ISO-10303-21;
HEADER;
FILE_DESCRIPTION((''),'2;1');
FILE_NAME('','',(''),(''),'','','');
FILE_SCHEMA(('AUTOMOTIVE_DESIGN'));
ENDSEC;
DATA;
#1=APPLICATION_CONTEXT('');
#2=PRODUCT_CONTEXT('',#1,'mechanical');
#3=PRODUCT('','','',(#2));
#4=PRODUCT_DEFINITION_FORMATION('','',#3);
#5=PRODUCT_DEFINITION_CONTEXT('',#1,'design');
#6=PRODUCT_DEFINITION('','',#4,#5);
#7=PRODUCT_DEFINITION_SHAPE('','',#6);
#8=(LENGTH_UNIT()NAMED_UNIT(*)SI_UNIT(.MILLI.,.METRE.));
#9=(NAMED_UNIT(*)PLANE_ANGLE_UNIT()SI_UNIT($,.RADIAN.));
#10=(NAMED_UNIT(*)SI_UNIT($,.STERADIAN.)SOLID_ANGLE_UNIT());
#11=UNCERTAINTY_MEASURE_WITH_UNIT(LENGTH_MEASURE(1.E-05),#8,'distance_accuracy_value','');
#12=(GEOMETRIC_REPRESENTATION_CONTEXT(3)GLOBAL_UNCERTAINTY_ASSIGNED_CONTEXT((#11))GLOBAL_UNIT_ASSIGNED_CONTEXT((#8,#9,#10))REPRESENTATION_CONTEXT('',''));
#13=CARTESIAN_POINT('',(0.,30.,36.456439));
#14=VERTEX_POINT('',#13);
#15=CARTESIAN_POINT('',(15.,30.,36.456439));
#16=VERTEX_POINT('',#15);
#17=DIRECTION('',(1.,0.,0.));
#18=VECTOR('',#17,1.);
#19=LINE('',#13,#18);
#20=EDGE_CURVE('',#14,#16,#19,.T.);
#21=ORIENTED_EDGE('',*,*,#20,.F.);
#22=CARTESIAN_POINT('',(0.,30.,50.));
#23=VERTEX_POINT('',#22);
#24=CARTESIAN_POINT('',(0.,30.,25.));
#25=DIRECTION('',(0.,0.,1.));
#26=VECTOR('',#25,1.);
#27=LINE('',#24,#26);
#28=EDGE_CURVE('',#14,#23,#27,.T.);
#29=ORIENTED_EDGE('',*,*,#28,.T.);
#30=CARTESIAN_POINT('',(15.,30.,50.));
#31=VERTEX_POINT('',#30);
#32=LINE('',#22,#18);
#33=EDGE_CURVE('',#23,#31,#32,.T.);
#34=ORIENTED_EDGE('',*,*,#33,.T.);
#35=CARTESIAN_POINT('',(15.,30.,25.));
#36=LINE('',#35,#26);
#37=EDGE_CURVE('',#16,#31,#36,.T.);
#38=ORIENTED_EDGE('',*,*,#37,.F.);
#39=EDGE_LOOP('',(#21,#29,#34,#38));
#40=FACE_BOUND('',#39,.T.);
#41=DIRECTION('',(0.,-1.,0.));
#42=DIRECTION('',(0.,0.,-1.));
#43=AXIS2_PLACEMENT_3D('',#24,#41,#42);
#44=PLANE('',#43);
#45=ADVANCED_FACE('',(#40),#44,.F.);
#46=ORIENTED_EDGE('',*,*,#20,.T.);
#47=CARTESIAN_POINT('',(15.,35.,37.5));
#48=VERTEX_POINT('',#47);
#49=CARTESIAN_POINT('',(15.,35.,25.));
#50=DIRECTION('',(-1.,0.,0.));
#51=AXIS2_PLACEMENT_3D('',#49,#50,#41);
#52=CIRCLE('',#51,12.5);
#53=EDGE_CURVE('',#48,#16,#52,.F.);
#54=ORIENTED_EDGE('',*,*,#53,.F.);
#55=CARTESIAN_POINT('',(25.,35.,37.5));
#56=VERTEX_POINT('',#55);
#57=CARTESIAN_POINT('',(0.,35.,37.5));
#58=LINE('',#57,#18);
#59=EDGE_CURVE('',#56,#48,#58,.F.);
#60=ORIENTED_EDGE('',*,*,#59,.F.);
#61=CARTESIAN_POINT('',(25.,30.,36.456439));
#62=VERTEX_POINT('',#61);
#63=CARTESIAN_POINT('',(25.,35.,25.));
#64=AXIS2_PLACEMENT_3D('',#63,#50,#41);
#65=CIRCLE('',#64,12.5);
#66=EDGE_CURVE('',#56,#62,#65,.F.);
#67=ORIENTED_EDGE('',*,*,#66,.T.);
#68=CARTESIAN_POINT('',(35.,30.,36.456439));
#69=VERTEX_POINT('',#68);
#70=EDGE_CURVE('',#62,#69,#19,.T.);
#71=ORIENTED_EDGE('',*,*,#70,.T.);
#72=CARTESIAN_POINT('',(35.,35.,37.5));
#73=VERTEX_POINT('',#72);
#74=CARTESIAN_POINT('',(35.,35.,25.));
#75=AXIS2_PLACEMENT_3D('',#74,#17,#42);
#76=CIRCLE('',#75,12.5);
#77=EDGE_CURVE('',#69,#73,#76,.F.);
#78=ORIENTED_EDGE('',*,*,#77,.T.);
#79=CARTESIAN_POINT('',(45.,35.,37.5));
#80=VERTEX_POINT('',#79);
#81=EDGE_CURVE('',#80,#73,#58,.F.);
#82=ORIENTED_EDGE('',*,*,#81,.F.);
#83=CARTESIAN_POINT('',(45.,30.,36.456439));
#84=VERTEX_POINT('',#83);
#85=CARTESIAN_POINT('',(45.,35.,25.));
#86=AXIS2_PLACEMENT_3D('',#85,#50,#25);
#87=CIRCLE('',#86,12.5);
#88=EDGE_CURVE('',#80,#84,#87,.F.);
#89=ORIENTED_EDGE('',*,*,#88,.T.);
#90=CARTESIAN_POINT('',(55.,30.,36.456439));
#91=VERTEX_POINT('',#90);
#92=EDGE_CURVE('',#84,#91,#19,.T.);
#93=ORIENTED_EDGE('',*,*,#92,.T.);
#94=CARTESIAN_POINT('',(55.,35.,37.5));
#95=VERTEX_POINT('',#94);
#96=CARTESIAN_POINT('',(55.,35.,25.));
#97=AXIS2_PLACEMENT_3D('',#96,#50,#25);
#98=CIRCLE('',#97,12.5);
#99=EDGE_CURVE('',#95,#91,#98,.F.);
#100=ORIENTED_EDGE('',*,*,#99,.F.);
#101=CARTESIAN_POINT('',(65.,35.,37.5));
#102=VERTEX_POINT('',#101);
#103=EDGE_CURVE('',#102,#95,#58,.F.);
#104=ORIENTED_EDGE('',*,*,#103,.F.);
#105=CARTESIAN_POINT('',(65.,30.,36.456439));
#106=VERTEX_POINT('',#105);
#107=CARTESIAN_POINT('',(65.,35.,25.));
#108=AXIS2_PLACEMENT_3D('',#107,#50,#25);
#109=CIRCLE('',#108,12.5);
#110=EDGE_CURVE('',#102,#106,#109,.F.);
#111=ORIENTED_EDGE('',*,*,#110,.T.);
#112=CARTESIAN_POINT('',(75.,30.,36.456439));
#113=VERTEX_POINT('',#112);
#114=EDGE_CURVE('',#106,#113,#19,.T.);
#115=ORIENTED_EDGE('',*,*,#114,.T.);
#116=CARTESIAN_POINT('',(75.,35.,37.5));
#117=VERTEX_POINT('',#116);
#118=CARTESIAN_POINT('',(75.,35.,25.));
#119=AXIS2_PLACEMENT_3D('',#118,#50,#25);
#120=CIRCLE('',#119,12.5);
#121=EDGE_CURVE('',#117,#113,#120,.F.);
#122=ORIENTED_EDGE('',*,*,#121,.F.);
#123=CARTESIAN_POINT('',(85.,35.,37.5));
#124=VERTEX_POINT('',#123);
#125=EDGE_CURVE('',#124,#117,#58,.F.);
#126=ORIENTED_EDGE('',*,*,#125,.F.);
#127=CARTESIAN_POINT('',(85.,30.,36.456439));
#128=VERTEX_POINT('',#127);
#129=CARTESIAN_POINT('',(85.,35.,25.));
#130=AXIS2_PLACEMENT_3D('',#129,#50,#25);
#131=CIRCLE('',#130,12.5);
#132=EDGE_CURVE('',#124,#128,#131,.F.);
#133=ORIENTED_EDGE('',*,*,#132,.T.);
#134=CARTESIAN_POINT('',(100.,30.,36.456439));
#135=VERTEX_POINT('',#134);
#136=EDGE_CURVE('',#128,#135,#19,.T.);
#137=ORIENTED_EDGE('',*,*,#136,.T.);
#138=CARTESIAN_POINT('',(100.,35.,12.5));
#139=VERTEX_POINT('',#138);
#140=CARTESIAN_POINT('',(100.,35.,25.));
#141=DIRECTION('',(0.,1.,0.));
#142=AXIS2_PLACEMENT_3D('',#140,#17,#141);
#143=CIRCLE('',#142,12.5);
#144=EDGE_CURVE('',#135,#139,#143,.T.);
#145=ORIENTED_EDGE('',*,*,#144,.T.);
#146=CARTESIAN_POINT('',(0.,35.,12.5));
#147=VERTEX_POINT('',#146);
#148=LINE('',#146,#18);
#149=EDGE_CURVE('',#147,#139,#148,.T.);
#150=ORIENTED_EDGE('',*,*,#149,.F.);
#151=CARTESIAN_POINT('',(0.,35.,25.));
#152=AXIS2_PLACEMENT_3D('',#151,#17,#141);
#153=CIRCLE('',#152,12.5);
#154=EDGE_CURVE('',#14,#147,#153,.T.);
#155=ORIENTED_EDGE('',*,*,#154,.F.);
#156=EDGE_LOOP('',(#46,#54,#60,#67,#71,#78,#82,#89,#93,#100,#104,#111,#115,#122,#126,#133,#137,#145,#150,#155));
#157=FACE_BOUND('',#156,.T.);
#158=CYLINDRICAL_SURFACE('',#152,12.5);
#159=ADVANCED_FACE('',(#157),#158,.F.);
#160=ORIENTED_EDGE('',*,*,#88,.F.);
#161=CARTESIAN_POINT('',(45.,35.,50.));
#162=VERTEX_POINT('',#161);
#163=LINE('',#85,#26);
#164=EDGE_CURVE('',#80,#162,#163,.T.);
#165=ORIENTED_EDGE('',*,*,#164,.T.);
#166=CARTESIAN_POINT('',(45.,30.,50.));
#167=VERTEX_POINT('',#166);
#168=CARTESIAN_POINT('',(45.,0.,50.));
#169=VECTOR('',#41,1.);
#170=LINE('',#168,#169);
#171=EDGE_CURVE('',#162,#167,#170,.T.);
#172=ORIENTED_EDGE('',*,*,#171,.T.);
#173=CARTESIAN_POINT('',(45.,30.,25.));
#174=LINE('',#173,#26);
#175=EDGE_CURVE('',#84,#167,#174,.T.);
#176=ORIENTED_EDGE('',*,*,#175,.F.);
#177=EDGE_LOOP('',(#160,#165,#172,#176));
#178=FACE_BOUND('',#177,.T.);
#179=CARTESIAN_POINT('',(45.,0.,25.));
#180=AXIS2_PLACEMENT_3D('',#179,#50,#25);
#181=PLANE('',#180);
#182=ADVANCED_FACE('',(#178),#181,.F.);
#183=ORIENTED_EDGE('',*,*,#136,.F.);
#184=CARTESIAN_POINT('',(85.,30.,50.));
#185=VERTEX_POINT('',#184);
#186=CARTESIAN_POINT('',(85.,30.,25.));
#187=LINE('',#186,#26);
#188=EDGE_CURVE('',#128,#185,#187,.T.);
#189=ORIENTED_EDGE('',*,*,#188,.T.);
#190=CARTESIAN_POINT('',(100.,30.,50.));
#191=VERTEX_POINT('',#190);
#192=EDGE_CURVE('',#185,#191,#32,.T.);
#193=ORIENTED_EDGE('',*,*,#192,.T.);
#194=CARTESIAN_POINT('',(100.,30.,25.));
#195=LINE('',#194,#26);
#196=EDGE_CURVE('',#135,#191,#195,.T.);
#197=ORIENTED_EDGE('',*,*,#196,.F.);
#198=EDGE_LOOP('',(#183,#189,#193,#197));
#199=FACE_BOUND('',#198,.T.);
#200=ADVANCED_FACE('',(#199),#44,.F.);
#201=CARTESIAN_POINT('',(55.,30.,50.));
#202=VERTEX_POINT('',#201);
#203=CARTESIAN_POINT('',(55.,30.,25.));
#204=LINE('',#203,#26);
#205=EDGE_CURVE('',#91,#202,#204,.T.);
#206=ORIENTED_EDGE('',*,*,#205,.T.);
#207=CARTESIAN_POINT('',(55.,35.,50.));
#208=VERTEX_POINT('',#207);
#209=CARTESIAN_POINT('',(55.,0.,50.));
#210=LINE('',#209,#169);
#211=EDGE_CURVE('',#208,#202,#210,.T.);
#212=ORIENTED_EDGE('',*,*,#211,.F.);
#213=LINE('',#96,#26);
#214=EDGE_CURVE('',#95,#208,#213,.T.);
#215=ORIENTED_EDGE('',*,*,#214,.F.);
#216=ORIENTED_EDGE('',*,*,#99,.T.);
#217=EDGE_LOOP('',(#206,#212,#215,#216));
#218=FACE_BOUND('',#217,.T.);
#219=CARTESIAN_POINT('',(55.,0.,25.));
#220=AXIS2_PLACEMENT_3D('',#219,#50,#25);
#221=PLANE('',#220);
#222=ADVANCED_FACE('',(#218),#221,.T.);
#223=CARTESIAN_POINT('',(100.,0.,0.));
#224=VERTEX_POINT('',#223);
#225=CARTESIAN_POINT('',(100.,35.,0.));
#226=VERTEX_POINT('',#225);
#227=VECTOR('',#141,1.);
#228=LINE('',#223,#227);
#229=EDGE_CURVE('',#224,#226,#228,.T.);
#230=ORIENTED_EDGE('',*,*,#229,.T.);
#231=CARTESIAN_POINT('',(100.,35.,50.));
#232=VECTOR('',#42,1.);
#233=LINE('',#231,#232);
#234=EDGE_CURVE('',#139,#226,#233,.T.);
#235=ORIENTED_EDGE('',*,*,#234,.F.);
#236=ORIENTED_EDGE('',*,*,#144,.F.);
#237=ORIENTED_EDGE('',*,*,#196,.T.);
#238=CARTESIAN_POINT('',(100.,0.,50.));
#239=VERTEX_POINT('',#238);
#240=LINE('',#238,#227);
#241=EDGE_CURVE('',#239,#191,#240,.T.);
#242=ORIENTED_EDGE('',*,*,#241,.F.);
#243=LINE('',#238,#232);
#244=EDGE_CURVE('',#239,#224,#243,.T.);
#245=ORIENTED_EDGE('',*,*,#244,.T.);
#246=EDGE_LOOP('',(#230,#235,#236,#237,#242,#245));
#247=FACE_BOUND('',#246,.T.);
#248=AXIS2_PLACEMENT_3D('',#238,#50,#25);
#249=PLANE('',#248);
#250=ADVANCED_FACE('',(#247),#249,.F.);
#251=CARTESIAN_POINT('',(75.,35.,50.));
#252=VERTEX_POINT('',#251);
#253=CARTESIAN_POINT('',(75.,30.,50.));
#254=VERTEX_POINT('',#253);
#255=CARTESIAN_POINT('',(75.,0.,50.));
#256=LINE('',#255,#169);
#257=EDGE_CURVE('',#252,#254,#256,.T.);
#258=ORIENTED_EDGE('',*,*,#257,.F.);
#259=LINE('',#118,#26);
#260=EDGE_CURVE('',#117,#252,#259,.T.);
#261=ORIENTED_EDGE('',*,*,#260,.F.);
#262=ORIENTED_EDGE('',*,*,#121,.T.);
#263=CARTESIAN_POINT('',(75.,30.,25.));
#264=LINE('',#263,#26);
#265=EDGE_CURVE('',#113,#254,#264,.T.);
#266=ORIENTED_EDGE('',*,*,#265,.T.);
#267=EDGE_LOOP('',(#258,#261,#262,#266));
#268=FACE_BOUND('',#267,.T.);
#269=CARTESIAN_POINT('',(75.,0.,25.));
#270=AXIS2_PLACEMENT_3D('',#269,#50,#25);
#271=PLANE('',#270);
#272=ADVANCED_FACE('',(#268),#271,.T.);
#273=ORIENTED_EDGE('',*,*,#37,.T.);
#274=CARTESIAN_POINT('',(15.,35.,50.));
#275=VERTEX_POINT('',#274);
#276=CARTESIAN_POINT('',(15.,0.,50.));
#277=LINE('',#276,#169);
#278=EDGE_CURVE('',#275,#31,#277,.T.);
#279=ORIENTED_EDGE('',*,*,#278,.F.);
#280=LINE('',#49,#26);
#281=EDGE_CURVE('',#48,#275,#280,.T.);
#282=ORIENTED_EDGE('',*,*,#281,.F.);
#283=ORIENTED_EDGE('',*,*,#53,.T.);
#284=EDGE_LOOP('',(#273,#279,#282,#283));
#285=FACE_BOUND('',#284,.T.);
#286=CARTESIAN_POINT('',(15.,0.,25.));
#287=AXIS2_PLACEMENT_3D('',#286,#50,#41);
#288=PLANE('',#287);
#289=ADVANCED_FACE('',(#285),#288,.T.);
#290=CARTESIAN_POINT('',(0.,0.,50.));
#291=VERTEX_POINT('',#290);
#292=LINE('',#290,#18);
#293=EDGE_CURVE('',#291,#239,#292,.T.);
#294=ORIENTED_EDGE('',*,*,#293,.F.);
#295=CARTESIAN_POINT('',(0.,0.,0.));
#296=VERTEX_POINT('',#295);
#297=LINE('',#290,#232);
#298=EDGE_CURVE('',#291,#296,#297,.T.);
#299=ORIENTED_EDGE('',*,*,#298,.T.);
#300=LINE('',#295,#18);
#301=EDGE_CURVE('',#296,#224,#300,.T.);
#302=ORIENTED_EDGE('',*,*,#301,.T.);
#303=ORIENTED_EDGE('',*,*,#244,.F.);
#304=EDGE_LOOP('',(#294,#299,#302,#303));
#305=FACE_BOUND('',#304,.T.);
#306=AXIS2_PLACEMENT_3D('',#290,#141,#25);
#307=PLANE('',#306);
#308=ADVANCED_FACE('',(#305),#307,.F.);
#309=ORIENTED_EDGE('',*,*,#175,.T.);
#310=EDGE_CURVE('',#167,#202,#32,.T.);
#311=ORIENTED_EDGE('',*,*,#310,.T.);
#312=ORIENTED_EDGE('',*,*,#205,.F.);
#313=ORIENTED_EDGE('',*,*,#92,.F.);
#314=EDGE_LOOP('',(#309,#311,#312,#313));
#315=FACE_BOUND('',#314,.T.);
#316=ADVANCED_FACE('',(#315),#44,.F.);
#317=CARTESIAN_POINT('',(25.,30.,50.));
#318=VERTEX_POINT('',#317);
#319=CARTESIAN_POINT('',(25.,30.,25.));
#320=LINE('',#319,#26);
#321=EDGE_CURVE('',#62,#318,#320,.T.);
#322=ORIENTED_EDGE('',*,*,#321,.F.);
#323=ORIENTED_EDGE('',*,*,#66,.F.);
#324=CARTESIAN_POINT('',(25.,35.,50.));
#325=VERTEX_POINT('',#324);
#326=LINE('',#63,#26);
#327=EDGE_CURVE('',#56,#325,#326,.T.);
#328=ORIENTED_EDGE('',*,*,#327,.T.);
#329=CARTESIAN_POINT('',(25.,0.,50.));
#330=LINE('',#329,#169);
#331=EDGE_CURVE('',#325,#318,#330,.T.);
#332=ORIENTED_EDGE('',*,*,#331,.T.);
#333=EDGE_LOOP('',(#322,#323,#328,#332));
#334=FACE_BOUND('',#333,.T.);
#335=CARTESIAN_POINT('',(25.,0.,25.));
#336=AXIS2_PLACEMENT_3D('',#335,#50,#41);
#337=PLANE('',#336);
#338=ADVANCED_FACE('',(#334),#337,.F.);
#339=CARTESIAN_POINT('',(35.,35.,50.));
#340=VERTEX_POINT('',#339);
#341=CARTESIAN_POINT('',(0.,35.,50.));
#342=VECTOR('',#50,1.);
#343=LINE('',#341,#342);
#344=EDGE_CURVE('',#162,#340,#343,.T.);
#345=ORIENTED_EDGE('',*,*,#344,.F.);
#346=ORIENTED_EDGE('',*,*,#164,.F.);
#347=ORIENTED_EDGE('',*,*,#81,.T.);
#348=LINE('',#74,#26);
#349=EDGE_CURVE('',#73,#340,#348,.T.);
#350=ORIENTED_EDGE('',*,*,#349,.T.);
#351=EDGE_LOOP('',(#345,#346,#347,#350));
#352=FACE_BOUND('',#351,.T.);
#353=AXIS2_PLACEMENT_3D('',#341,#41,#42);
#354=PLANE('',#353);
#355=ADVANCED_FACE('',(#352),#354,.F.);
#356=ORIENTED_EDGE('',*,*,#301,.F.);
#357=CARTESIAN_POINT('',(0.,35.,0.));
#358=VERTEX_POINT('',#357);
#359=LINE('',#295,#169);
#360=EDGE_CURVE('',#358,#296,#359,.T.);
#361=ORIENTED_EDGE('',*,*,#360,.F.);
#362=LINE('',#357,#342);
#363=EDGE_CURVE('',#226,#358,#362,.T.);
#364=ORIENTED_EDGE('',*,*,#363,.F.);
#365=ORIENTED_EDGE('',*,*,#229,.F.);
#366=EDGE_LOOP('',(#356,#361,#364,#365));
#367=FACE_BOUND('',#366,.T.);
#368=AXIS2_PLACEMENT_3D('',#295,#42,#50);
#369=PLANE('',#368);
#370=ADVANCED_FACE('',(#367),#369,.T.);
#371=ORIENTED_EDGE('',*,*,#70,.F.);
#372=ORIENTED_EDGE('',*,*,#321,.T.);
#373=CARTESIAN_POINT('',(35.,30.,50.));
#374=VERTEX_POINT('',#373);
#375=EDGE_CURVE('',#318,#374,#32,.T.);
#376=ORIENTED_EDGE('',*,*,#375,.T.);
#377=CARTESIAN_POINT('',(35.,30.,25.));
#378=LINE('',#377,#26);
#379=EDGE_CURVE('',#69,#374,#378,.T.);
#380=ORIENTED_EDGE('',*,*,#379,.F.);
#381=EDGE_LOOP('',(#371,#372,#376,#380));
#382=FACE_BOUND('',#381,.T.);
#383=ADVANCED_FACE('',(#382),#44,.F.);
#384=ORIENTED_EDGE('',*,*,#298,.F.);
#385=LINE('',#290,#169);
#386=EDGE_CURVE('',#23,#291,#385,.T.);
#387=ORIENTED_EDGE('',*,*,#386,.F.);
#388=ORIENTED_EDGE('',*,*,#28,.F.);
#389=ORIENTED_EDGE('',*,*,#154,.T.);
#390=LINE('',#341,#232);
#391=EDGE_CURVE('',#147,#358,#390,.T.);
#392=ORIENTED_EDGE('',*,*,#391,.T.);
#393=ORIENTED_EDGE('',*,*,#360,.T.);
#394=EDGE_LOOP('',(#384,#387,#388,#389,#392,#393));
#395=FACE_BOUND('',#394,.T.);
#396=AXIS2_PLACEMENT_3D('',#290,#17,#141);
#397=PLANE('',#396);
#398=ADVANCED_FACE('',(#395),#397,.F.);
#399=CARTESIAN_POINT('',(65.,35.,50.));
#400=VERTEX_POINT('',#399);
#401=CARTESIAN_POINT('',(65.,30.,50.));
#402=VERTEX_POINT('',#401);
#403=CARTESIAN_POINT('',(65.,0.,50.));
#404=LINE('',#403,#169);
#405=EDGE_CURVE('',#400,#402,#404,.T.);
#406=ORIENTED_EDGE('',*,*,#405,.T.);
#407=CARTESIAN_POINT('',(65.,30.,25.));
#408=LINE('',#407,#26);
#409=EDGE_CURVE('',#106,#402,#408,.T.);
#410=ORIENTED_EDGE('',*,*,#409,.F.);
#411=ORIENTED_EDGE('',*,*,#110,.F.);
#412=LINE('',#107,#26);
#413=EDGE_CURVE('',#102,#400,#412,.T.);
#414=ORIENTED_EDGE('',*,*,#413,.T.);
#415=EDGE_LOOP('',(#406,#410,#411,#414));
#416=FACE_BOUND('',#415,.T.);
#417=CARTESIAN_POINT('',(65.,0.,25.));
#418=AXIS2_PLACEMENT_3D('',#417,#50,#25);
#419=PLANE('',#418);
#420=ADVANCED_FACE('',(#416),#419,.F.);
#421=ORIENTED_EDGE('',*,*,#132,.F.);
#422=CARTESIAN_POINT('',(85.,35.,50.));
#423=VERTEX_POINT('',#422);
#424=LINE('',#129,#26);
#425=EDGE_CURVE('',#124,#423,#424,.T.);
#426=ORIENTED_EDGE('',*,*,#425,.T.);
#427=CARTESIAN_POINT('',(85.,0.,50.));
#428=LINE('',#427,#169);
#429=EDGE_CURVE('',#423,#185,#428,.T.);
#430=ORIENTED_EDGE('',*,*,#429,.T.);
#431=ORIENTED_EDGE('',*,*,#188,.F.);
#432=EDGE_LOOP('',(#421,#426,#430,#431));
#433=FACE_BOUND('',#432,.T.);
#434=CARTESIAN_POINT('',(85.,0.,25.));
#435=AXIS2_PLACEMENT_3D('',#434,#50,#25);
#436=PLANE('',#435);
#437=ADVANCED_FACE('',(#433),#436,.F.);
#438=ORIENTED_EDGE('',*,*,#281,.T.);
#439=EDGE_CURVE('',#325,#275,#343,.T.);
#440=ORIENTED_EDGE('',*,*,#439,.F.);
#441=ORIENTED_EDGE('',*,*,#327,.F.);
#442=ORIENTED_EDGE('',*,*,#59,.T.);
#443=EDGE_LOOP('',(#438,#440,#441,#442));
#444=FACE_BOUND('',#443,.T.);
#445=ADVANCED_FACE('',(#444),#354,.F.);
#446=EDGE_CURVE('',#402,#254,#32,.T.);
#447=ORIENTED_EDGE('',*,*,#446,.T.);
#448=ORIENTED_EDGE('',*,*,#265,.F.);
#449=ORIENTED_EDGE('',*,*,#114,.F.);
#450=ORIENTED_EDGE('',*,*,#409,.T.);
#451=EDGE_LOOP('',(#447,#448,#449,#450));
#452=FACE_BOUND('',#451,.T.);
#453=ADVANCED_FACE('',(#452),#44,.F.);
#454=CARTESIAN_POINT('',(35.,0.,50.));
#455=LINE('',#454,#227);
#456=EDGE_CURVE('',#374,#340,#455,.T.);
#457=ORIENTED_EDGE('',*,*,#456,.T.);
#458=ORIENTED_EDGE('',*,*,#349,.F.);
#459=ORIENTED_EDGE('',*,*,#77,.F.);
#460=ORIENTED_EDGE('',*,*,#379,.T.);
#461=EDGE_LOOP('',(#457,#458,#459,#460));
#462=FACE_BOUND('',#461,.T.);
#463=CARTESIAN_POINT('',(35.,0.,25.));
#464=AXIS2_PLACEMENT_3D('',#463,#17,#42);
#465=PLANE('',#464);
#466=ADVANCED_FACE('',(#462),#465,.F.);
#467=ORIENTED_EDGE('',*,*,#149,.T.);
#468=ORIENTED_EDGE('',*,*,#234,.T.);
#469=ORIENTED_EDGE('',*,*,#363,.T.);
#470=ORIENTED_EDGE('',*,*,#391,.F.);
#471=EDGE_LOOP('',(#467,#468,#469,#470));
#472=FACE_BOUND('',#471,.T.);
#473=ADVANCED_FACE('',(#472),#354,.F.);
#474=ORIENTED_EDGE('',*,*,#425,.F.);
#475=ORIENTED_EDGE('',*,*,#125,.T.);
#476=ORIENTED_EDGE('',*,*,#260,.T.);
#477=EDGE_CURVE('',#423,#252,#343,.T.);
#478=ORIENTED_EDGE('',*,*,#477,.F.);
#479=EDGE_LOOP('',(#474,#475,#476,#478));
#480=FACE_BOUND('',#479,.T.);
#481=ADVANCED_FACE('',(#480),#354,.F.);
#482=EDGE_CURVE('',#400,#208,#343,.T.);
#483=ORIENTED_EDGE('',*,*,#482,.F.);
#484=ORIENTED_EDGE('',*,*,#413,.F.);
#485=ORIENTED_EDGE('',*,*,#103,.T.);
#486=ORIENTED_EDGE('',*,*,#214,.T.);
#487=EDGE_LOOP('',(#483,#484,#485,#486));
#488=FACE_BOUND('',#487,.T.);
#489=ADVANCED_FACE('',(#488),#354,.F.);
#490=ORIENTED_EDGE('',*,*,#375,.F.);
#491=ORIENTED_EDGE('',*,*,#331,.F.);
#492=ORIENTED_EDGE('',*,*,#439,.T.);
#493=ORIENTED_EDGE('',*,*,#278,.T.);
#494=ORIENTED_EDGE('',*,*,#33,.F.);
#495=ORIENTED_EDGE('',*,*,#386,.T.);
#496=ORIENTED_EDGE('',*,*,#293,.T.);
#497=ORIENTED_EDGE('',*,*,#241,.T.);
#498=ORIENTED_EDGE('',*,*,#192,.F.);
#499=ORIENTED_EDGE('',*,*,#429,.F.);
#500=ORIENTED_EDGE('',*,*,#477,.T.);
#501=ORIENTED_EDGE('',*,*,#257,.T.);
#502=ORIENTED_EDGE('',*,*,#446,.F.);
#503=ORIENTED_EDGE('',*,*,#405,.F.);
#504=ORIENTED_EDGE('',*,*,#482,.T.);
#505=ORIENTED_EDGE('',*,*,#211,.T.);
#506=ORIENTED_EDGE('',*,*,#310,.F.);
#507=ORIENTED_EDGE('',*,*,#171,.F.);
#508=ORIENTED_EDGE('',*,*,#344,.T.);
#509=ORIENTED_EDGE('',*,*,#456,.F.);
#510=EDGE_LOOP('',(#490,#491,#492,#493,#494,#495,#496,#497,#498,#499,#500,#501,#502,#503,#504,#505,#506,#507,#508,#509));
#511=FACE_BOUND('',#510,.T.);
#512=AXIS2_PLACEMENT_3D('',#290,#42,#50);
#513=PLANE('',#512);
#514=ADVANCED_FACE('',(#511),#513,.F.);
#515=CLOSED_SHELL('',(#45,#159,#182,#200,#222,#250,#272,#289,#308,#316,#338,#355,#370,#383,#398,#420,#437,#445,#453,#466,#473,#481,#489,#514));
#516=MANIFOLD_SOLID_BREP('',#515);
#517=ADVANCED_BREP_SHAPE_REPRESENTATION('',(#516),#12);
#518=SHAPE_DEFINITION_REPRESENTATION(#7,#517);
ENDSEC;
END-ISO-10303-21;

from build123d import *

# Parameters (mm, degrees)
SKETCH1_W           = 100
SKETCH1_H           = 35
BOSS_EXTRUDE1_DEPTH = 50
SKETCH4_R           = 12.5
CUT_EXTRUDE2_DEPTH  = 100
SKETCH5_W           = 15
SKETCH5_H           = 5
SKETCH5_W_2         = 10
CUT_EXTRUDE3_DEPTH  = 25


with BuildPart() as part:
    # Sketch1 → Boss-Extrude1 (new body)
    with BuildSketch(Plane.XY):
        with Locations((50, 17.5)):
            Rectangle(SKETCH1_W, SKETCH1_H)
    extrude(amount=BOSS_EXTRUDE1_DEPTH)

    # Sketch4 → Cut-Extrude2 (cut)
    with BuildSketch(Plane(origin=(100, 0, 0), x_dir=(0, 0, -1), z_dir=(1, 0, 0))):
        with Locations((-25, 35)):
            Circle(SKETCH4_R)
    extrude(amount=-CUT_EXTRUDE2_DEPTH, mode=Mode.SUBTRACT)

    # Sketch5 → Cut-Extrude3 (cut)
    with BuildSketch(Plane.XY.offset(50)):
        with Locations((7.5, 32.5)):
            Rectangle(SKETCH5_W, SKETCH5_H)
        with Locations((30, 32.5)):
            Rectangle(SKETCH5_W_2, SKETCH5_H)
        with Locations((70, 32.5)):
            Rectangle(SKETCH5_W_2, SKETCH5_H)
        with Locations((92.5, 32.5)):
            Rectangle(SKETCH5_W, SKETCH5_H)
        with Locations((50, 32.5)):
            Rectangle(SKETCH5_W_2, SKETCH5_H)
    extrude(amount=-CUT_EXTRUDE3_DEPTH, mode=Mode.SUBTRACT)


solid = part.part
